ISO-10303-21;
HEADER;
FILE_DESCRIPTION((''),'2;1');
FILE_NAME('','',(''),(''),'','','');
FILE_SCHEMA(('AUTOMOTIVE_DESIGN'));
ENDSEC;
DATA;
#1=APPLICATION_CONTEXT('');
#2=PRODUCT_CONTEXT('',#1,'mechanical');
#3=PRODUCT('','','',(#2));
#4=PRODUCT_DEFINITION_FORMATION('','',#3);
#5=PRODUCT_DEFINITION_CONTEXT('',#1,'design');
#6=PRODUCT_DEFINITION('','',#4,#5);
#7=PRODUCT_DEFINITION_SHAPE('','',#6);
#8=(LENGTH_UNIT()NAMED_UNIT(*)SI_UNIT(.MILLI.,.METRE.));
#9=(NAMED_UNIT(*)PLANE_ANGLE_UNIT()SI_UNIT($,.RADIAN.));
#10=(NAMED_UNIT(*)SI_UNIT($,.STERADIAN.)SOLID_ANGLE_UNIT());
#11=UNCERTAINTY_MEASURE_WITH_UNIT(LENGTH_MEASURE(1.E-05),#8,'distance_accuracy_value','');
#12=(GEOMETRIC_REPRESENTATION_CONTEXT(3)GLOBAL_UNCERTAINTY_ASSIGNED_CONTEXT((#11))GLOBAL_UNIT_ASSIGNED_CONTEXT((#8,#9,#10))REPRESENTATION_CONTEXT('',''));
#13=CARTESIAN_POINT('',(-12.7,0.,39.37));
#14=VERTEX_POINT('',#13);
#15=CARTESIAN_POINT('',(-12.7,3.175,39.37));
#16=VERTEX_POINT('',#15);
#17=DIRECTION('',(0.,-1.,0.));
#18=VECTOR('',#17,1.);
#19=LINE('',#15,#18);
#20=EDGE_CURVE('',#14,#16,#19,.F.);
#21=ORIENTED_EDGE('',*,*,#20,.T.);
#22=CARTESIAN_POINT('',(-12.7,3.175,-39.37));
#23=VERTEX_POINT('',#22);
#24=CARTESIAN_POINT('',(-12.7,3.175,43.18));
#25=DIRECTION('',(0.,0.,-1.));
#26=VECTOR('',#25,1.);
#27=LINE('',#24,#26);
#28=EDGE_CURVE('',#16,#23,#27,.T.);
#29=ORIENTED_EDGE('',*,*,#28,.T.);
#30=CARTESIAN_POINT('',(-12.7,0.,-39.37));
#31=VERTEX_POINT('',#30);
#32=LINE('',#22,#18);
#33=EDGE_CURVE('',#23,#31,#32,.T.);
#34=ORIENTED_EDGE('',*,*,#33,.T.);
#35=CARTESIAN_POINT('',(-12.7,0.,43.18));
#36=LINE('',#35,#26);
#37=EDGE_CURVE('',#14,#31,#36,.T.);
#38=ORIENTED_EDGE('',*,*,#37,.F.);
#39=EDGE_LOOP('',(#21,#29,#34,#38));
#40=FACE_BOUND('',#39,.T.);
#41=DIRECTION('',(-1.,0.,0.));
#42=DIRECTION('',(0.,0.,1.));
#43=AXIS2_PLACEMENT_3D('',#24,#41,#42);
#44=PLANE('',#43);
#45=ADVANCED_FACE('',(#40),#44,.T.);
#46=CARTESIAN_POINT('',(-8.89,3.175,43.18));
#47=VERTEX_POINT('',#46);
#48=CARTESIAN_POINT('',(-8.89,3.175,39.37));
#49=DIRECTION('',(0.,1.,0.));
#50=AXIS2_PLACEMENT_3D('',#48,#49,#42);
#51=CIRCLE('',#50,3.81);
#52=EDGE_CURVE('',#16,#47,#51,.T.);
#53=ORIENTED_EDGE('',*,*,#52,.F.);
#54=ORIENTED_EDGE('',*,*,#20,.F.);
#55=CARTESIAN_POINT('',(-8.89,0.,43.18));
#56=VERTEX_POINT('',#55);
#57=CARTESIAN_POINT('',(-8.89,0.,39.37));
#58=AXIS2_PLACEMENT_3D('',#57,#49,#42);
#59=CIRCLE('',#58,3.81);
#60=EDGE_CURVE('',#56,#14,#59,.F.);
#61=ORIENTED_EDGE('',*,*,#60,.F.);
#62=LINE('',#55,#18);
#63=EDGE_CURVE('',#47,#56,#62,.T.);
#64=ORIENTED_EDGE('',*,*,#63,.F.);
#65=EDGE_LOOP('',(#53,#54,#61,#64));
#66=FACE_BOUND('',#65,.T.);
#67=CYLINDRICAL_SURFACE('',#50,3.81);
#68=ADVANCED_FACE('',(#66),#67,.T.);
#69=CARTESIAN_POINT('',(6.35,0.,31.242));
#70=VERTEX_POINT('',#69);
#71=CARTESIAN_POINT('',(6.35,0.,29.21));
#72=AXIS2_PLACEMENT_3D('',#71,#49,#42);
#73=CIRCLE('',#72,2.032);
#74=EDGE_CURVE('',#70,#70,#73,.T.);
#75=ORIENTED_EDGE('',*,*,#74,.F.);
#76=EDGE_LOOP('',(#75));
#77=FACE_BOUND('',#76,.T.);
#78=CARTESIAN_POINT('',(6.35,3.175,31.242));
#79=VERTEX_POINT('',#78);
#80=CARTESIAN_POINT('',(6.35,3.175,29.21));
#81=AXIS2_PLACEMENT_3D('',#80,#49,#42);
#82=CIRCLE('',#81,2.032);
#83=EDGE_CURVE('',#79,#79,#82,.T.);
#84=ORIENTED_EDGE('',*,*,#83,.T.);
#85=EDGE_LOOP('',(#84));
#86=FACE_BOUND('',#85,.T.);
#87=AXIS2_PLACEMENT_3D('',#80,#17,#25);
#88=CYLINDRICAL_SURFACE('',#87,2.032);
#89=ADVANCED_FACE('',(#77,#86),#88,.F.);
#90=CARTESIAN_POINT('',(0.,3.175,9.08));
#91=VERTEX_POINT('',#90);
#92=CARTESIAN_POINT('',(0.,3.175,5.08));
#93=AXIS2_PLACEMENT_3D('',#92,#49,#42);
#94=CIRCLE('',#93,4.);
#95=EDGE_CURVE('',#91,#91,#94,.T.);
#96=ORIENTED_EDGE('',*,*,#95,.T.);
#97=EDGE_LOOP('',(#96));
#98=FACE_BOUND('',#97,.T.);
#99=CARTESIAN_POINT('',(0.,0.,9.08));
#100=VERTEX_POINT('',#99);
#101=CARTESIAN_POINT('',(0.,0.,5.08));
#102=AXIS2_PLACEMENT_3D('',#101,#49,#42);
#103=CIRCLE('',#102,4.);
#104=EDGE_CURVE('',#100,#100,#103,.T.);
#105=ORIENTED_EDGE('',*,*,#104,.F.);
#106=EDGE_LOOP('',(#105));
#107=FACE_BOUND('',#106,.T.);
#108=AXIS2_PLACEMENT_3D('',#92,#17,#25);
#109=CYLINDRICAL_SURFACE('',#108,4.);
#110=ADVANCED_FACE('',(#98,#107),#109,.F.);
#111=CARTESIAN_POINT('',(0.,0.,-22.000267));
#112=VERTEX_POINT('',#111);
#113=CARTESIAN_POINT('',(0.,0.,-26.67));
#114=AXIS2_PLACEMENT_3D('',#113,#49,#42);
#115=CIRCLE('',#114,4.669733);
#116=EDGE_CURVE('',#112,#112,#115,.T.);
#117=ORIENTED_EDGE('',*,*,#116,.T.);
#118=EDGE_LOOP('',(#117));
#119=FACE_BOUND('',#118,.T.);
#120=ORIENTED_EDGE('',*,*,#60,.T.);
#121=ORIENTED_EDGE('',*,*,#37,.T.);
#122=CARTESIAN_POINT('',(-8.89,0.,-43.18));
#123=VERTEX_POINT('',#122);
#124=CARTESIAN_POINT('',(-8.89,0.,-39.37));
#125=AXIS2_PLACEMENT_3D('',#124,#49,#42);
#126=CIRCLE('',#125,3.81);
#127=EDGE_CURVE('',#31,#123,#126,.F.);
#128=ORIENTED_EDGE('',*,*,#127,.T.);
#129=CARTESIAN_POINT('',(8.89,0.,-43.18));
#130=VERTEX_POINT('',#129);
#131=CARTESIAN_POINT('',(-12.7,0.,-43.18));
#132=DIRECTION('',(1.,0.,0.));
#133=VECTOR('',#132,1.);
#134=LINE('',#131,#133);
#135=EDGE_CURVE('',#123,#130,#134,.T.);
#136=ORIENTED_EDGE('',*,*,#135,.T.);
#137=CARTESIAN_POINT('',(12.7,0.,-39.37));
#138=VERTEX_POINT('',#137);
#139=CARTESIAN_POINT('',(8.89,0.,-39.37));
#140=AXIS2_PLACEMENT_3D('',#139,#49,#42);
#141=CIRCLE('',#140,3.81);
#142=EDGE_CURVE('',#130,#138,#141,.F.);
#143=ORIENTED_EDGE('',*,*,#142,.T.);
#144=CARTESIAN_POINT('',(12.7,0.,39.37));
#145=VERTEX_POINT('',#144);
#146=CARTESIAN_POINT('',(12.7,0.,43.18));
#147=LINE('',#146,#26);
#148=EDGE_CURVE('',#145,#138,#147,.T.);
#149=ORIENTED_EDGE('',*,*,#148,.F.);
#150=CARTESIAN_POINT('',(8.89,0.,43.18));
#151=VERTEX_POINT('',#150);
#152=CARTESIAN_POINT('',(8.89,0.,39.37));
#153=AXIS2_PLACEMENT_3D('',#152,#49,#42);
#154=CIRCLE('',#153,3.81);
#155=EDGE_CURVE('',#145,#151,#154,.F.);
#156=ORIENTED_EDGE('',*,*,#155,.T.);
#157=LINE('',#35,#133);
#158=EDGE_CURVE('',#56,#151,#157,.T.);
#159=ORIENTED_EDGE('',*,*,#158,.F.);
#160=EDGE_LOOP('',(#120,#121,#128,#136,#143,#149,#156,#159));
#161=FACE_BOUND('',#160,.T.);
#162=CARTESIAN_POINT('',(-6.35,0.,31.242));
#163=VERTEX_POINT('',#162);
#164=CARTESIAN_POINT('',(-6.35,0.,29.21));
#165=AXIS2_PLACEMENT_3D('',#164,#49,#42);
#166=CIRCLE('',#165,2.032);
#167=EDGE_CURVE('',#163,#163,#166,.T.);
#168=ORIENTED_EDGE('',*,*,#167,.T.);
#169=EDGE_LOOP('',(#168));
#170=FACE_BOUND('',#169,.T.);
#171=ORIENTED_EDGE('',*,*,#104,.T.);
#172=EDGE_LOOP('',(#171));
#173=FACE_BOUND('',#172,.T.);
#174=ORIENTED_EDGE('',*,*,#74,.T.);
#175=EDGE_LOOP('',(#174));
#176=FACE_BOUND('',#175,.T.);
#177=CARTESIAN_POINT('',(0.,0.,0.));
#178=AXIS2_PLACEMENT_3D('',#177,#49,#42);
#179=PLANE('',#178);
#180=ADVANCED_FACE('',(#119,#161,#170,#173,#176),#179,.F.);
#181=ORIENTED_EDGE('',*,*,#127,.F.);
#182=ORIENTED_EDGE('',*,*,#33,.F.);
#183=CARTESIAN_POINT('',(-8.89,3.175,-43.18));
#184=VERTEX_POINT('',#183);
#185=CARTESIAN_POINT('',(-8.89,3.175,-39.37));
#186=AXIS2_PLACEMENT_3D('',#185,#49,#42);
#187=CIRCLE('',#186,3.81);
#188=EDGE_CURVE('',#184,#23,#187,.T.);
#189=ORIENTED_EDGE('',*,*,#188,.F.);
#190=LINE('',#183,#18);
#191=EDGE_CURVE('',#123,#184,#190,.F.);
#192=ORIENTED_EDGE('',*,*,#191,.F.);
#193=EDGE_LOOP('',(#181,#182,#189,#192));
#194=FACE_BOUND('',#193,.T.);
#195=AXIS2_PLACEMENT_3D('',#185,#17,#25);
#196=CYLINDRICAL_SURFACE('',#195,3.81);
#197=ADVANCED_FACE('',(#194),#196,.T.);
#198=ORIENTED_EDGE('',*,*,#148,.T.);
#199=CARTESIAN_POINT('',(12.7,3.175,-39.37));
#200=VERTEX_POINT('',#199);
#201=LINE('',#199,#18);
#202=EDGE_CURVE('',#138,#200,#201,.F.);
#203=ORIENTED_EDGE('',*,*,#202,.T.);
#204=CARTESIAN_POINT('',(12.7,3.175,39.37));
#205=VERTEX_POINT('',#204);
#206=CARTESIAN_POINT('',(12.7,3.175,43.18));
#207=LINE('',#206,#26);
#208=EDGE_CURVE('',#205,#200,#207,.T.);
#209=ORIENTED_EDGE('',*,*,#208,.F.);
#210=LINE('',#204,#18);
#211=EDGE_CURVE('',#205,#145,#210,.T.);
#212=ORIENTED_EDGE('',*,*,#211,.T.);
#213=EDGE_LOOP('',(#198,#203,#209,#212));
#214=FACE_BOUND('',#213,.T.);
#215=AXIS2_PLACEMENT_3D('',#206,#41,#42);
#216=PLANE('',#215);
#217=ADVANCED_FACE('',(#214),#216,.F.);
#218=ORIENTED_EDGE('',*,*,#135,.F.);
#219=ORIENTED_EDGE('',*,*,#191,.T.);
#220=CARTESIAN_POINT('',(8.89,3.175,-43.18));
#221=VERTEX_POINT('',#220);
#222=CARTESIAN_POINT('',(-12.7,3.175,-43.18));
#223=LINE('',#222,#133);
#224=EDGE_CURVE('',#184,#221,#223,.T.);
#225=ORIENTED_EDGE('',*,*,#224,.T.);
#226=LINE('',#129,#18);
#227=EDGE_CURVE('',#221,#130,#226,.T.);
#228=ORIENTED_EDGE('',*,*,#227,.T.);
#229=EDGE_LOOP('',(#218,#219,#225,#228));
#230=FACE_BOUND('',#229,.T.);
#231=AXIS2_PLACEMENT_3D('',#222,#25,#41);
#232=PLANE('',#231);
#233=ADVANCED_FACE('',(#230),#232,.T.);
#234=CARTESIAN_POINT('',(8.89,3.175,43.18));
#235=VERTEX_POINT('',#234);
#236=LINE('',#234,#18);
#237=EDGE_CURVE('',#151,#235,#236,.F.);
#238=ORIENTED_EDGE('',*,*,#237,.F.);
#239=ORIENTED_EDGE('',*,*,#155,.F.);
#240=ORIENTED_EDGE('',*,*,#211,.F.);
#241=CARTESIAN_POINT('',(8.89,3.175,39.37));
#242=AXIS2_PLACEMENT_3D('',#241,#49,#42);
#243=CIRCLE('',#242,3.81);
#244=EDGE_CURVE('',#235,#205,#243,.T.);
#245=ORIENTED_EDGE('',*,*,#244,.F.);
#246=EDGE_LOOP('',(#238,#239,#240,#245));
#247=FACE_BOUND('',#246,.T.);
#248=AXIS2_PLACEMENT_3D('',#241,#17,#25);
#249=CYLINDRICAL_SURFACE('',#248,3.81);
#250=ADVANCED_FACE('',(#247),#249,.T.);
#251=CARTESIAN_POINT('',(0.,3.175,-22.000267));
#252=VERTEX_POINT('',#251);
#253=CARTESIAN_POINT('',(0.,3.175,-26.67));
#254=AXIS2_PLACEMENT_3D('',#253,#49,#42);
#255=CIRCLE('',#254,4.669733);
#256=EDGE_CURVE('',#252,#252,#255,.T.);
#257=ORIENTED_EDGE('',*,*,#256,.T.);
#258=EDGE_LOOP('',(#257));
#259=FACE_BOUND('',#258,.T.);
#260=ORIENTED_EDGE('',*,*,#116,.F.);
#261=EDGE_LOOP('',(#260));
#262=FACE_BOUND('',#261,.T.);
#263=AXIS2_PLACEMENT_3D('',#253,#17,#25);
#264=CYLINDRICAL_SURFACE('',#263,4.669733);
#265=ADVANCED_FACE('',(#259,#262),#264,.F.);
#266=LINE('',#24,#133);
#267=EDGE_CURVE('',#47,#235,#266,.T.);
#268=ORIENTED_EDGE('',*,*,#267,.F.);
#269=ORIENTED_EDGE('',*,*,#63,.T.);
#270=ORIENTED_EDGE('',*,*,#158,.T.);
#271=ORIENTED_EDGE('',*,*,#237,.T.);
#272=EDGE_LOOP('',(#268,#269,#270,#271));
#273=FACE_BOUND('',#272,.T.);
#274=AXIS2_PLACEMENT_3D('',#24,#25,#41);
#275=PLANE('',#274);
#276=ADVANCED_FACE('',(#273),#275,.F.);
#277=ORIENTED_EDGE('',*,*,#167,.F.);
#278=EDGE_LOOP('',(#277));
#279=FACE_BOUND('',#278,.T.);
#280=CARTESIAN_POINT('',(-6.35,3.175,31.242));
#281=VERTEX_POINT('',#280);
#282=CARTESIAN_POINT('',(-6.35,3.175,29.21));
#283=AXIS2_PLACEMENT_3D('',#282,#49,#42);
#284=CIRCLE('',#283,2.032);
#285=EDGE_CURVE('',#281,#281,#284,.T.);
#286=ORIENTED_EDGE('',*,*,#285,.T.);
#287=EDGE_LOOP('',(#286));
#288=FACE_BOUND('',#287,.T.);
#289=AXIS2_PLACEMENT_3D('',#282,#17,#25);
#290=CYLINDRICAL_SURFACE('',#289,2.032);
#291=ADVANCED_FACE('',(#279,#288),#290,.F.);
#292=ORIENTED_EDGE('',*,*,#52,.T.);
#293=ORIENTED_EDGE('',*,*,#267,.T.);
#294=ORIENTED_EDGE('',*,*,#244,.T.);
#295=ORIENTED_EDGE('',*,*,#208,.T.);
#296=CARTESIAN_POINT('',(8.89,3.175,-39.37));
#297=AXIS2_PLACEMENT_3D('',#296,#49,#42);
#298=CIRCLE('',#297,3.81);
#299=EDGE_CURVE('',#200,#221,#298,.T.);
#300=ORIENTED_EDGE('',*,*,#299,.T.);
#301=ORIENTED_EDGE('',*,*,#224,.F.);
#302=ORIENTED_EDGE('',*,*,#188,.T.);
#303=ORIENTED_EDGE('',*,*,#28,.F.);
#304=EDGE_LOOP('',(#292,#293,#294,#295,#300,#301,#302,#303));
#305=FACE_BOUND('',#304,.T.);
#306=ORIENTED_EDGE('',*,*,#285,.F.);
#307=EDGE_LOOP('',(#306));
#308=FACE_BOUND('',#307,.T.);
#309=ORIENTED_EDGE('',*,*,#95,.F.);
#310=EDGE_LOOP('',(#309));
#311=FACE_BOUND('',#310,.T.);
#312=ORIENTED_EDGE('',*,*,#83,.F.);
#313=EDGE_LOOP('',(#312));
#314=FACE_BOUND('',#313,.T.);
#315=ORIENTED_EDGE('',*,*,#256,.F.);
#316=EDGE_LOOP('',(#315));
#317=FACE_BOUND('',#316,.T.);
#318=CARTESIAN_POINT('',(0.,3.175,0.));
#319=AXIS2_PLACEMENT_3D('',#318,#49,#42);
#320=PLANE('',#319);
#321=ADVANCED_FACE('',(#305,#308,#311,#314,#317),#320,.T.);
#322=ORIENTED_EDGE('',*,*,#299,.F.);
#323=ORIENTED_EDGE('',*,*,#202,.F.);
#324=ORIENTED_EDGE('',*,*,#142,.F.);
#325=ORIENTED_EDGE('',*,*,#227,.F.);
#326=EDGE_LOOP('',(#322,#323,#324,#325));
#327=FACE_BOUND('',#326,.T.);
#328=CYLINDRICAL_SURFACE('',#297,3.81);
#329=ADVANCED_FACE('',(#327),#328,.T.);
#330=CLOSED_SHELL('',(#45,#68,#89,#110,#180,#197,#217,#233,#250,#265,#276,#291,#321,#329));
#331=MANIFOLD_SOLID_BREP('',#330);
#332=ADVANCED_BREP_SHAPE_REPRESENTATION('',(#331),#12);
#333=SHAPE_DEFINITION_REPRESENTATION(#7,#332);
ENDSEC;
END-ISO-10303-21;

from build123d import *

# Parameters (mm, degrees)
SKETCH1_W           = 25.4
SKETCH1_H           = 86.36
SKETCH1_R           = 2.032
SKETCH1_R_2         = 4
SKETCH1_R_3         = 4.669733183
BOSS_EXTRUDE1_DEPTH = 3.175
FILLET1_R           = 3.81


with BuildPart() as part:
    # Sketch1 → Boss-Extrude1 (new body)
    with BuildSketch(Plane(origin=(0, 0, 0), x_dir=(1, 0, 0), z_dir=(0, 1, 0))):
        Rectangle(SKETCH1_W, SKETCH1_H)
        with Locations(Location((-6.35, -29.21, 0), (0, 0, 270))):
            Circle(SKETCH1_R, mode=Mode.SUBTRACT)
        with Locations(Location((6.35, -29.21, 0), (0, 0, 270))):
            Circle(SKETCH1_R, mode=Mode.SUBTRACT)
        with Locations(Location((0, -5.08, 0), (0, 0, 270))):
            Circle(SKETCH1_R_2, mode=Mode.SUBTRACT)
        with Locations(Location((0, 26.67, 0), (0, 0, 270))):
            Circle(SKETCH1_R_3, mode=Mode.SUBTRACT)
    extrude(amount=BOSS_EXTRUDE1_DEPTH)

    # Fillet1
    fillet1_edges = [part.edges().sort_by_distance(p)[0] for p in [
        (-12.7, 1.5875, 43.18),
        (-12.7, 1.5875, -43.18),
        (12.7, 1.5875, -43.18),
        (12.7, 1.5875, 43.18),
    ]]
    fillet(fillet1_edges, radius=FILLET1_R)


solid = part.part
